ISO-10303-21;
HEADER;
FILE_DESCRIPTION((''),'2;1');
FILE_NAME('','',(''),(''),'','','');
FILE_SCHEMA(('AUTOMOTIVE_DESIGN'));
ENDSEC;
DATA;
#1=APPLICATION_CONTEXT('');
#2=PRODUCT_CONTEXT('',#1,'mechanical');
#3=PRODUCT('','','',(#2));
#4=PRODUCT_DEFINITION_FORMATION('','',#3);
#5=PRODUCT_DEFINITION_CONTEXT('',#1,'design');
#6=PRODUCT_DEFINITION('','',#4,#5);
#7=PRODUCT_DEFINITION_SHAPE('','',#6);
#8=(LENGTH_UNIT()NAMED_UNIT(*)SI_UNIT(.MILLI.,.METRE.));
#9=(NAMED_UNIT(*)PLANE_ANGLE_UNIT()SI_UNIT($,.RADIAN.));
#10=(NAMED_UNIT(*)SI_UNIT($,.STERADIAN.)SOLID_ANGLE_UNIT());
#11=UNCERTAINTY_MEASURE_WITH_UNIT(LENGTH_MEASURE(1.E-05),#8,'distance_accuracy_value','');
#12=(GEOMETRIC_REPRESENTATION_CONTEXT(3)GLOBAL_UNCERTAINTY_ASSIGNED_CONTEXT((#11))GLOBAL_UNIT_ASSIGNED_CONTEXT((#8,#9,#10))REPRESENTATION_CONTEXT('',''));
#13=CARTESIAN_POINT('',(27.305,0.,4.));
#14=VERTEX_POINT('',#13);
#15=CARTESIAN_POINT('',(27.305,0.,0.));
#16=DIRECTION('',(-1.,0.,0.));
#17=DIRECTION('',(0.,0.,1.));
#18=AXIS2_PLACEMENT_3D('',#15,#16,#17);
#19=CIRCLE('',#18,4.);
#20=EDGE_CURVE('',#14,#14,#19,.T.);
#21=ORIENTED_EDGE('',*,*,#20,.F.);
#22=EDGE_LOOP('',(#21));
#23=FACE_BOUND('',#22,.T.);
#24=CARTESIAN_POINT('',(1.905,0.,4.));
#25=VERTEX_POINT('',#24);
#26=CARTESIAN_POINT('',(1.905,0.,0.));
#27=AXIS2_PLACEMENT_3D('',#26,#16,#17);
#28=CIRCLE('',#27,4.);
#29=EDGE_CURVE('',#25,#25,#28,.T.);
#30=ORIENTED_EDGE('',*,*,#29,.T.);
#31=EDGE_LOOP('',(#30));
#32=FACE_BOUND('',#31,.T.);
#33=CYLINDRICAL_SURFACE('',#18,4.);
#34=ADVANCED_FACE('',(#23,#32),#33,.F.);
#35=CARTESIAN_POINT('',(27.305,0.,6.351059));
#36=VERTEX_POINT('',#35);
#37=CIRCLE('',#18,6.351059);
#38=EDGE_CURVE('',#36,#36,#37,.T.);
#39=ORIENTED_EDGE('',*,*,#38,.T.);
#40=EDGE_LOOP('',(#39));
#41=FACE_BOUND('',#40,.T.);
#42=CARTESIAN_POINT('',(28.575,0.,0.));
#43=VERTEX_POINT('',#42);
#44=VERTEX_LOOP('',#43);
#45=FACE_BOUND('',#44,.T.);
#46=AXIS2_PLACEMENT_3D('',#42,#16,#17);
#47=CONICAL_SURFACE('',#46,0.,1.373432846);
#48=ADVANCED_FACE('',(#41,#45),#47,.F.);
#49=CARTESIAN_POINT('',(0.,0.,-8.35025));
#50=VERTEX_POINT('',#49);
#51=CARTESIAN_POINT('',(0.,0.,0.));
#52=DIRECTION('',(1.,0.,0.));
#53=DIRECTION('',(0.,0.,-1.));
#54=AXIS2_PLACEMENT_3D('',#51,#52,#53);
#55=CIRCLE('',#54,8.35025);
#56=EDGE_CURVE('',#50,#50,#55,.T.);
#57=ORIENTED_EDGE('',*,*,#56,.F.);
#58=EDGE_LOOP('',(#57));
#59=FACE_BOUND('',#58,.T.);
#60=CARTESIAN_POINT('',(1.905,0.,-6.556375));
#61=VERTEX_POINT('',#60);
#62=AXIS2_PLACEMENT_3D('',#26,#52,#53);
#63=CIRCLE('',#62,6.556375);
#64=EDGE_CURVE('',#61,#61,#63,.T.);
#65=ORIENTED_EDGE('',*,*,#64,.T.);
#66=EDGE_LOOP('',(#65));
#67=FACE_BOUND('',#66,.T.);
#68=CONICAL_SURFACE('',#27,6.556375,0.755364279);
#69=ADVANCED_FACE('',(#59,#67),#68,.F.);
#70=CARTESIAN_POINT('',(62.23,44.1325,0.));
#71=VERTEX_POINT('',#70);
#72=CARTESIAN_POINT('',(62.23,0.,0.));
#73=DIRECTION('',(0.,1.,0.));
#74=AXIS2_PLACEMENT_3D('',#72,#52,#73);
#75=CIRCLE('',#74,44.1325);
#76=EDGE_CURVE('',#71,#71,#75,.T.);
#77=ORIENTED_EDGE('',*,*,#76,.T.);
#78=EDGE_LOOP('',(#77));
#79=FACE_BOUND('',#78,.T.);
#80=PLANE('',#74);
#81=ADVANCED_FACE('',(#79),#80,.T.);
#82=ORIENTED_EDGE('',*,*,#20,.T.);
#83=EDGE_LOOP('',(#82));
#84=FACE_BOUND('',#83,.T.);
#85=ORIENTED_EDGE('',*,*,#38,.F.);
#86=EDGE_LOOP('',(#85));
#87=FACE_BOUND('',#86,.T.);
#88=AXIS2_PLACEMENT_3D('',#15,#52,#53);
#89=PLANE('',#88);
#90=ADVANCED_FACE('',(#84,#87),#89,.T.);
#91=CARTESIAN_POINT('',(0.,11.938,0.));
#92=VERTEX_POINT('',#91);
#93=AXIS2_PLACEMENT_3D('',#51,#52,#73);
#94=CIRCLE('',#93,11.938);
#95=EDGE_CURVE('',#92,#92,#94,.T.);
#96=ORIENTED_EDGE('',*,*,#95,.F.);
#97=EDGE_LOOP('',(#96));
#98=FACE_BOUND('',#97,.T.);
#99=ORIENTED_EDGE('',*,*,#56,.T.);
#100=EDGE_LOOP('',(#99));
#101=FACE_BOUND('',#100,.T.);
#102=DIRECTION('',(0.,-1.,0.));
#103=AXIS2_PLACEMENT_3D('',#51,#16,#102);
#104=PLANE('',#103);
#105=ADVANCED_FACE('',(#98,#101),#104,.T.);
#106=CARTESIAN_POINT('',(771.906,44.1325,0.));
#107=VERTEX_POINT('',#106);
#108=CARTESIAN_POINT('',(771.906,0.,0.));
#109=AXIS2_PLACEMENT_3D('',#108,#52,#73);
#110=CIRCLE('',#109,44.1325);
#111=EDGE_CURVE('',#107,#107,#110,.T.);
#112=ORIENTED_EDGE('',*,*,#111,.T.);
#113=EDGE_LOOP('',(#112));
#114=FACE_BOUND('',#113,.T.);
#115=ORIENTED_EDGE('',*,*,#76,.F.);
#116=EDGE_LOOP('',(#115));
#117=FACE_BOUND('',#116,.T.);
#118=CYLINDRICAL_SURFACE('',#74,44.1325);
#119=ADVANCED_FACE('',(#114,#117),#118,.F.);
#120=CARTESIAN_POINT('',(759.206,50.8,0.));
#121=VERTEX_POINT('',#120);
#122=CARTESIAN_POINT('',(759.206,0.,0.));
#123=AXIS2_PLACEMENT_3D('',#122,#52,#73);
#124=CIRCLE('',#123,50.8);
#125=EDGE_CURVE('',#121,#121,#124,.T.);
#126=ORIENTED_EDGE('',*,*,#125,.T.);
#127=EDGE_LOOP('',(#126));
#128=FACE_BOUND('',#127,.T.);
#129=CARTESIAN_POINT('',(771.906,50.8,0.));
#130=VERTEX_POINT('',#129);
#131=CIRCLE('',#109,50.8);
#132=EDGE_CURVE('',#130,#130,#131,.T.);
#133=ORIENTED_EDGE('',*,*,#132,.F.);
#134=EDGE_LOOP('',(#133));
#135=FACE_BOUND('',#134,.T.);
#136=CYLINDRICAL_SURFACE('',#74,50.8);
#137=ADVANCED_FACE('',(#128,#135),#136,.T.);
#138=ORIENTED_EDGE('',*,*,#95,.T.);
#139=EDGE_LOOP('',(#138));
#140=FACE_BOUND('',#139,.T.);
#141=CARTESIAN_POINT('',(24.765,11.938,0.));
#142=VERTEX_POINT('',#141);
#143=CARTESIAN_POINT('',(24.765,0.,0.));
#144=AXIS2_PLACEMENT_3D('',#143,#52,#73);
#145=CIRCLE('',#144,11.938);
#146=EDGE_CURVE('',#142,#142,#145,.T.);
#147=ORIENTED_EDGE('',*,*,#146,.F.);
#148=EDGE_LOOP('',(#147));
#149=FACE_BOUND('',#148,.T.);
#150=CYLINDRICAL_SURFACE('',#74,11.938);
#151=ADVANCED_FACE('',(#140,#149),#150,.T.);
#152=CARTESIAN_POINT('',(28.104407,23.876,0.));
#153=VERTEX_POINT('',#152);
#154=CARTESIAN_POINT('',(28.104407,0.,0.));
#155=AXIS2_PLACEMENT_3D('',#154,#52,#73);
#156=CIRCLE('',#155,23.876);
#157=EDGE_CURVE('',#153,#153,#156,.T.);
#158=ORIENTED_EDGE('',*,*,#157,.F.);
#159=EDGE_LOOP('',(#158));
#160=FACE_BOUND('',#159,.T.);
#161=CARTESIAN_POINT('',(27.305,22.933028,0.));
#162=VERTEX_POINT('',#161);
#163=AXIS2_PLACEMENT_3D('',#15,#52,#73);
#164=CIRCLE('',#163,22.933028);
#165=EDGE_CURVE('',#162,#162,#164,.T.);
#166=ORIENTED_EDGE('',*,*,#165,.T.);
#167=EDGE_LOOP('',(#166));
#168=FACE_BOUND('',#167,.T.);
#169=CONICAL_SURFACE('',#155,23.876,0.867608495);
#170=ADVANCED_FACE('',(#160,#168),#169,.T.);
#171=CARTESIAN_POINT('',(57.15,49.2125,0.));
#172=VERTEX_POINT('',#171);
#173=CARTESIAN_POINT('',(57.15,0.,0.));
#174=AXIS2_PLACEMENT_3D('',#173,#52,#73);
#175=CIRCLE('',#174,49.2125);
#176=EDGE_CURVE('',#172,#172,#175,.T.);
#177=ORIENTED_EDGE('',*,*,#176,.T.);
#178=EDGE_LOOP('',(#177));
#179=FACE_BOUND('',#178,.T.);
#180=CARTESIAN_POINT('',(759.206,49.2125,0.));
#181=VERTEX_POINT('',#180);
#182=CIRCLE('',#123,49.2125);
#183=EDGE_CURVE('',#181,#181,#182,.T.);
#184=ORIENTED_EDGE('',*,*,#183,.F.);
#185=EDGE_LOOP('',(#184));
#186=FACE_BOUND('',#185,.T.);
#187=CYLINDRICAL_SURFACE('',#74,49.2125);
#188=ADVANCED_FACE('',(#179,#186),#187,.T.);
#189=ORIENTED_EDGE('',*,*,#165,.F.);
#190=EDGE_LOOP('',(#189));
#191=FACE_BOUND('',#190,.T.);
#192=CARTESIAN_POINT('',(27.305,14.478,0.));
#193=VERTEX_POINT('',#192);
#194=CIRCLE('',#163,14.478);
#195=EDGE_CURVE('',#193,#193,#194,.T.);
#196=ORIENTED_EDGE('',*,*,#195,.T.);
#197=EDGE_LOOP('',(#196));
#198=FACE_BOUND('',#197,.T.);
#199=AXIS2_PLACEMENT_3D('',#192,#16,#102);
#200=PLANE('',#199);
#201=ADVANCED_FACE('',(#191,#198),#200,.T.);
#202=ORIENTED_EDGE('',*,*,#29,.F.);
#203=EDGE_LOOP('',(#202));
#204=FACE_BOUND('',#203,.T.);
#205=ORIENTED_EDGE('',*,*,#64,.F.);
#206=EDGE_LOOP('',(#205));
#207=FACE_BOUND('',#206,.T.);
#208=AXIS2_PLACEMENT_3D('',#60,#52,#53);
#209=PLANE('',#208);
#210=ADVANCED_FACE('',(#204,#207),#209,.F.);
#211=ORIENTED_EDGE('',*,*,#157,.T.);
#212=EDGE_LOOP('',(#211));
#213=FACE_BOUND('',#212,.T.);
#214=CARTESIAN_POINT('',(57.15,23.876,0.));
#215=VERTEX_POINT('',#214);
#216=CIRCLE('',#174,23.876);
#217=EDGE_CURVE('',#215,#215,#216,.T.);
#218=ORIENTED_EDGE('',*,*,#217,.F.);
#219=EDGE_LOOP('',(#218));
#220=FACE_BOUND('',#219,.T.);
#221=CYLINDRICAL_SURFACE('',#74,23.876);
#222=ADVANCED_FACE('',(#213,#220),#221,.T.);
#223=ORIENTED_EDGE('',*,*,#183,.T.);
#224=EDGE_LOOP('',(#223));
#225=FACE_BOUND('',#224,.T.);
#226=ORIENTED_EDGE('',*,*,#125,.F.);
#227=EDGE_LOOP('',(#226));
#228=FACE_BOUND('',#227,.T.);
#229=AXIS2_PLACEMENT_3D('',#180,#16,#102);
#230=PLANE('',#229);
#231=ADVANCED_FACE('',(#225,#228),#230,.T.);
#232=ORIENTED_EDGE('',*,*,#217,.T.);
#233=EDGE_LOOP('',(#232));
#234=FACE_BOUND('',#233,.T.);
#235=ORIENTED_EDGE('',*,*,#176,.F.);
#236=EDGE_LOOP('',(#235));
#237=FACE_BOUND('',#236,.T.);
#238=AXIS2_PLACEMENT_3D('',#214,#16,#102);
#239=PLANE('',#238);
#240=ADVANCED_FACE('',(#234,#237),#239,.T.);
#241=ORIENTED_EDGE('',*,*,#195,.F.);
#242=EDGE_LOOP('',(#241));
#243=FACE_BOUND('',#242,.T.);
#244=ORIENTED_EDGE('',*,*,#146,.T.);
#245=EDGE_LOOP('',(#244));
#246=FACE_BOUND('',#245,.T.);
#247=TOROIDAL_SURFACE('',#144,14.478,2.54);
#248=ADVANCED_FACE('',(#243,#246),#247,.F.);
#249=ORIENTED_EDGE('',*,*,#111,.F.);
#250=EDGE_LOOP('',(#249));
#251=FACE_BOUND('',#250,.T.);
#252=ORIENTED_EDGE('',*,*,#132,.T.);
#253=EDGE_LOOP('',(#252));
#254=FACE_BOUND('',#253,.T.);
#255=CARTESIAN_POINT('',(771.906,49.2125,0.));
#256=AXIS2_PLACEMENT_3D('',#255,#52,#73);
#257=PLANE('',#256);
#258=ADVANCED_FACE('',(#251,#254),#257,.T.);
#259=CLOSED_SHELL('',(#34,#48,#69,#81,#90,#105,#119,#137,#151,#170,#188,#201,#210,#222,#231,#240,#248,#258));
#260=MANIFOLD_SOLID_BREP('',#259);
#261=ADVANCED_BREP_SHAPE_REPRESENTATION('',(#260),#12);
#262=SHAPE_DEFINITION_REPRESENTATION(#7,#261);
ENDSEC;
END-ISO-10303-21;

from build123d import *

# Parameters (mm, degrees)
SKETCH19_R         = 4
CUT_EXTRUDE3_DEPTH = 25.4


with BuildPart() as part:
    # Sketch1 → Revolve1 (revolve)
    with BuildSketch(Plane.XY):
        with BuildLine():
            Line((0, 0), (0, 11.938))
            Line((0, 11.938), (24.765, 11.938))
            ThreePointArc((24.765, 11.938), (26.561051224, 12.681948776), (27.305, 14.478))
            Line((27.305, 14.478), (27.305, 22.933028409))
            Line((27.305, 22.933028409), (28.104406531, 23.876))
            Line((28.104406531, 23.876), (57.15, 23.876))
            Line((57.15, 23.876), (57.15, 49.2125))
            Line((57.15, 49.2125), (759.206, 49.2125))
            Line((759.206, 49.2125), (759.206, 50.8))
            Line((759.206, 50.8), (771.906, 50.8))
            Line((771.906, 50.8), (771.906, 49.2125))
            Line((771.906, 49.2125), (771.906, 44.1325))
            Line((771.906, 44.1325), (62.23, 44.1325))
            Line((62.23, 44.1325), (62.23, 0))
            Line((62.23, 0), (0, 0))
        make_face()
    revolve(axis=Axis((62.23, 0, 0), (-1, 0, 0)))

    # Sketch16 → Cut-Revolve1 (revolve, cut)
    with BuildSketch(Plane(origin=(0, 0, 0), x_dir=(1, 0, 0), z_dir=(0, 1, 0))):
        Polygon((0, 0), (0, 8.35025), (1.905, 6.556375), (1.905, 0), align=None)
    revolve(axis=Axis((1.905, 0, 0), (-1, 0, 0)), mode=Mode.SUBTRACT)

    # Sketch19 → Cut-Extrude3 (cut)
    with BuildSketch(Plane.ZY.offset(-1.905)):
        Circle(SKETCH19_R)
    extrude(amount=-CUT_EXTRUDE3_DEPTH, mode=Mode.SUBTRACT)

    # Sketch32 → Cut-Revolve6 (revolve, cut)
    with BuildSketch(Plane(origin=(0, 0, 0), x_dir=(1, 0, 0), z_dir=(0, 1, 0)), mode=Mode.PRIVATE) as cut_revolve6_sk:
        Polygon((27.305, 0), (28.575, 0), (27.305, 6.351059428), align=None)
    revolve(cut_revolve6_sk.sketch.rotate(Axis((27.305, 0, 0), (1, 0, 0)), 180), axis=Axis((27.305, 0, 0), (1, 0, 0)), mode=Mode.SUBTRACT)


solid = part.part
